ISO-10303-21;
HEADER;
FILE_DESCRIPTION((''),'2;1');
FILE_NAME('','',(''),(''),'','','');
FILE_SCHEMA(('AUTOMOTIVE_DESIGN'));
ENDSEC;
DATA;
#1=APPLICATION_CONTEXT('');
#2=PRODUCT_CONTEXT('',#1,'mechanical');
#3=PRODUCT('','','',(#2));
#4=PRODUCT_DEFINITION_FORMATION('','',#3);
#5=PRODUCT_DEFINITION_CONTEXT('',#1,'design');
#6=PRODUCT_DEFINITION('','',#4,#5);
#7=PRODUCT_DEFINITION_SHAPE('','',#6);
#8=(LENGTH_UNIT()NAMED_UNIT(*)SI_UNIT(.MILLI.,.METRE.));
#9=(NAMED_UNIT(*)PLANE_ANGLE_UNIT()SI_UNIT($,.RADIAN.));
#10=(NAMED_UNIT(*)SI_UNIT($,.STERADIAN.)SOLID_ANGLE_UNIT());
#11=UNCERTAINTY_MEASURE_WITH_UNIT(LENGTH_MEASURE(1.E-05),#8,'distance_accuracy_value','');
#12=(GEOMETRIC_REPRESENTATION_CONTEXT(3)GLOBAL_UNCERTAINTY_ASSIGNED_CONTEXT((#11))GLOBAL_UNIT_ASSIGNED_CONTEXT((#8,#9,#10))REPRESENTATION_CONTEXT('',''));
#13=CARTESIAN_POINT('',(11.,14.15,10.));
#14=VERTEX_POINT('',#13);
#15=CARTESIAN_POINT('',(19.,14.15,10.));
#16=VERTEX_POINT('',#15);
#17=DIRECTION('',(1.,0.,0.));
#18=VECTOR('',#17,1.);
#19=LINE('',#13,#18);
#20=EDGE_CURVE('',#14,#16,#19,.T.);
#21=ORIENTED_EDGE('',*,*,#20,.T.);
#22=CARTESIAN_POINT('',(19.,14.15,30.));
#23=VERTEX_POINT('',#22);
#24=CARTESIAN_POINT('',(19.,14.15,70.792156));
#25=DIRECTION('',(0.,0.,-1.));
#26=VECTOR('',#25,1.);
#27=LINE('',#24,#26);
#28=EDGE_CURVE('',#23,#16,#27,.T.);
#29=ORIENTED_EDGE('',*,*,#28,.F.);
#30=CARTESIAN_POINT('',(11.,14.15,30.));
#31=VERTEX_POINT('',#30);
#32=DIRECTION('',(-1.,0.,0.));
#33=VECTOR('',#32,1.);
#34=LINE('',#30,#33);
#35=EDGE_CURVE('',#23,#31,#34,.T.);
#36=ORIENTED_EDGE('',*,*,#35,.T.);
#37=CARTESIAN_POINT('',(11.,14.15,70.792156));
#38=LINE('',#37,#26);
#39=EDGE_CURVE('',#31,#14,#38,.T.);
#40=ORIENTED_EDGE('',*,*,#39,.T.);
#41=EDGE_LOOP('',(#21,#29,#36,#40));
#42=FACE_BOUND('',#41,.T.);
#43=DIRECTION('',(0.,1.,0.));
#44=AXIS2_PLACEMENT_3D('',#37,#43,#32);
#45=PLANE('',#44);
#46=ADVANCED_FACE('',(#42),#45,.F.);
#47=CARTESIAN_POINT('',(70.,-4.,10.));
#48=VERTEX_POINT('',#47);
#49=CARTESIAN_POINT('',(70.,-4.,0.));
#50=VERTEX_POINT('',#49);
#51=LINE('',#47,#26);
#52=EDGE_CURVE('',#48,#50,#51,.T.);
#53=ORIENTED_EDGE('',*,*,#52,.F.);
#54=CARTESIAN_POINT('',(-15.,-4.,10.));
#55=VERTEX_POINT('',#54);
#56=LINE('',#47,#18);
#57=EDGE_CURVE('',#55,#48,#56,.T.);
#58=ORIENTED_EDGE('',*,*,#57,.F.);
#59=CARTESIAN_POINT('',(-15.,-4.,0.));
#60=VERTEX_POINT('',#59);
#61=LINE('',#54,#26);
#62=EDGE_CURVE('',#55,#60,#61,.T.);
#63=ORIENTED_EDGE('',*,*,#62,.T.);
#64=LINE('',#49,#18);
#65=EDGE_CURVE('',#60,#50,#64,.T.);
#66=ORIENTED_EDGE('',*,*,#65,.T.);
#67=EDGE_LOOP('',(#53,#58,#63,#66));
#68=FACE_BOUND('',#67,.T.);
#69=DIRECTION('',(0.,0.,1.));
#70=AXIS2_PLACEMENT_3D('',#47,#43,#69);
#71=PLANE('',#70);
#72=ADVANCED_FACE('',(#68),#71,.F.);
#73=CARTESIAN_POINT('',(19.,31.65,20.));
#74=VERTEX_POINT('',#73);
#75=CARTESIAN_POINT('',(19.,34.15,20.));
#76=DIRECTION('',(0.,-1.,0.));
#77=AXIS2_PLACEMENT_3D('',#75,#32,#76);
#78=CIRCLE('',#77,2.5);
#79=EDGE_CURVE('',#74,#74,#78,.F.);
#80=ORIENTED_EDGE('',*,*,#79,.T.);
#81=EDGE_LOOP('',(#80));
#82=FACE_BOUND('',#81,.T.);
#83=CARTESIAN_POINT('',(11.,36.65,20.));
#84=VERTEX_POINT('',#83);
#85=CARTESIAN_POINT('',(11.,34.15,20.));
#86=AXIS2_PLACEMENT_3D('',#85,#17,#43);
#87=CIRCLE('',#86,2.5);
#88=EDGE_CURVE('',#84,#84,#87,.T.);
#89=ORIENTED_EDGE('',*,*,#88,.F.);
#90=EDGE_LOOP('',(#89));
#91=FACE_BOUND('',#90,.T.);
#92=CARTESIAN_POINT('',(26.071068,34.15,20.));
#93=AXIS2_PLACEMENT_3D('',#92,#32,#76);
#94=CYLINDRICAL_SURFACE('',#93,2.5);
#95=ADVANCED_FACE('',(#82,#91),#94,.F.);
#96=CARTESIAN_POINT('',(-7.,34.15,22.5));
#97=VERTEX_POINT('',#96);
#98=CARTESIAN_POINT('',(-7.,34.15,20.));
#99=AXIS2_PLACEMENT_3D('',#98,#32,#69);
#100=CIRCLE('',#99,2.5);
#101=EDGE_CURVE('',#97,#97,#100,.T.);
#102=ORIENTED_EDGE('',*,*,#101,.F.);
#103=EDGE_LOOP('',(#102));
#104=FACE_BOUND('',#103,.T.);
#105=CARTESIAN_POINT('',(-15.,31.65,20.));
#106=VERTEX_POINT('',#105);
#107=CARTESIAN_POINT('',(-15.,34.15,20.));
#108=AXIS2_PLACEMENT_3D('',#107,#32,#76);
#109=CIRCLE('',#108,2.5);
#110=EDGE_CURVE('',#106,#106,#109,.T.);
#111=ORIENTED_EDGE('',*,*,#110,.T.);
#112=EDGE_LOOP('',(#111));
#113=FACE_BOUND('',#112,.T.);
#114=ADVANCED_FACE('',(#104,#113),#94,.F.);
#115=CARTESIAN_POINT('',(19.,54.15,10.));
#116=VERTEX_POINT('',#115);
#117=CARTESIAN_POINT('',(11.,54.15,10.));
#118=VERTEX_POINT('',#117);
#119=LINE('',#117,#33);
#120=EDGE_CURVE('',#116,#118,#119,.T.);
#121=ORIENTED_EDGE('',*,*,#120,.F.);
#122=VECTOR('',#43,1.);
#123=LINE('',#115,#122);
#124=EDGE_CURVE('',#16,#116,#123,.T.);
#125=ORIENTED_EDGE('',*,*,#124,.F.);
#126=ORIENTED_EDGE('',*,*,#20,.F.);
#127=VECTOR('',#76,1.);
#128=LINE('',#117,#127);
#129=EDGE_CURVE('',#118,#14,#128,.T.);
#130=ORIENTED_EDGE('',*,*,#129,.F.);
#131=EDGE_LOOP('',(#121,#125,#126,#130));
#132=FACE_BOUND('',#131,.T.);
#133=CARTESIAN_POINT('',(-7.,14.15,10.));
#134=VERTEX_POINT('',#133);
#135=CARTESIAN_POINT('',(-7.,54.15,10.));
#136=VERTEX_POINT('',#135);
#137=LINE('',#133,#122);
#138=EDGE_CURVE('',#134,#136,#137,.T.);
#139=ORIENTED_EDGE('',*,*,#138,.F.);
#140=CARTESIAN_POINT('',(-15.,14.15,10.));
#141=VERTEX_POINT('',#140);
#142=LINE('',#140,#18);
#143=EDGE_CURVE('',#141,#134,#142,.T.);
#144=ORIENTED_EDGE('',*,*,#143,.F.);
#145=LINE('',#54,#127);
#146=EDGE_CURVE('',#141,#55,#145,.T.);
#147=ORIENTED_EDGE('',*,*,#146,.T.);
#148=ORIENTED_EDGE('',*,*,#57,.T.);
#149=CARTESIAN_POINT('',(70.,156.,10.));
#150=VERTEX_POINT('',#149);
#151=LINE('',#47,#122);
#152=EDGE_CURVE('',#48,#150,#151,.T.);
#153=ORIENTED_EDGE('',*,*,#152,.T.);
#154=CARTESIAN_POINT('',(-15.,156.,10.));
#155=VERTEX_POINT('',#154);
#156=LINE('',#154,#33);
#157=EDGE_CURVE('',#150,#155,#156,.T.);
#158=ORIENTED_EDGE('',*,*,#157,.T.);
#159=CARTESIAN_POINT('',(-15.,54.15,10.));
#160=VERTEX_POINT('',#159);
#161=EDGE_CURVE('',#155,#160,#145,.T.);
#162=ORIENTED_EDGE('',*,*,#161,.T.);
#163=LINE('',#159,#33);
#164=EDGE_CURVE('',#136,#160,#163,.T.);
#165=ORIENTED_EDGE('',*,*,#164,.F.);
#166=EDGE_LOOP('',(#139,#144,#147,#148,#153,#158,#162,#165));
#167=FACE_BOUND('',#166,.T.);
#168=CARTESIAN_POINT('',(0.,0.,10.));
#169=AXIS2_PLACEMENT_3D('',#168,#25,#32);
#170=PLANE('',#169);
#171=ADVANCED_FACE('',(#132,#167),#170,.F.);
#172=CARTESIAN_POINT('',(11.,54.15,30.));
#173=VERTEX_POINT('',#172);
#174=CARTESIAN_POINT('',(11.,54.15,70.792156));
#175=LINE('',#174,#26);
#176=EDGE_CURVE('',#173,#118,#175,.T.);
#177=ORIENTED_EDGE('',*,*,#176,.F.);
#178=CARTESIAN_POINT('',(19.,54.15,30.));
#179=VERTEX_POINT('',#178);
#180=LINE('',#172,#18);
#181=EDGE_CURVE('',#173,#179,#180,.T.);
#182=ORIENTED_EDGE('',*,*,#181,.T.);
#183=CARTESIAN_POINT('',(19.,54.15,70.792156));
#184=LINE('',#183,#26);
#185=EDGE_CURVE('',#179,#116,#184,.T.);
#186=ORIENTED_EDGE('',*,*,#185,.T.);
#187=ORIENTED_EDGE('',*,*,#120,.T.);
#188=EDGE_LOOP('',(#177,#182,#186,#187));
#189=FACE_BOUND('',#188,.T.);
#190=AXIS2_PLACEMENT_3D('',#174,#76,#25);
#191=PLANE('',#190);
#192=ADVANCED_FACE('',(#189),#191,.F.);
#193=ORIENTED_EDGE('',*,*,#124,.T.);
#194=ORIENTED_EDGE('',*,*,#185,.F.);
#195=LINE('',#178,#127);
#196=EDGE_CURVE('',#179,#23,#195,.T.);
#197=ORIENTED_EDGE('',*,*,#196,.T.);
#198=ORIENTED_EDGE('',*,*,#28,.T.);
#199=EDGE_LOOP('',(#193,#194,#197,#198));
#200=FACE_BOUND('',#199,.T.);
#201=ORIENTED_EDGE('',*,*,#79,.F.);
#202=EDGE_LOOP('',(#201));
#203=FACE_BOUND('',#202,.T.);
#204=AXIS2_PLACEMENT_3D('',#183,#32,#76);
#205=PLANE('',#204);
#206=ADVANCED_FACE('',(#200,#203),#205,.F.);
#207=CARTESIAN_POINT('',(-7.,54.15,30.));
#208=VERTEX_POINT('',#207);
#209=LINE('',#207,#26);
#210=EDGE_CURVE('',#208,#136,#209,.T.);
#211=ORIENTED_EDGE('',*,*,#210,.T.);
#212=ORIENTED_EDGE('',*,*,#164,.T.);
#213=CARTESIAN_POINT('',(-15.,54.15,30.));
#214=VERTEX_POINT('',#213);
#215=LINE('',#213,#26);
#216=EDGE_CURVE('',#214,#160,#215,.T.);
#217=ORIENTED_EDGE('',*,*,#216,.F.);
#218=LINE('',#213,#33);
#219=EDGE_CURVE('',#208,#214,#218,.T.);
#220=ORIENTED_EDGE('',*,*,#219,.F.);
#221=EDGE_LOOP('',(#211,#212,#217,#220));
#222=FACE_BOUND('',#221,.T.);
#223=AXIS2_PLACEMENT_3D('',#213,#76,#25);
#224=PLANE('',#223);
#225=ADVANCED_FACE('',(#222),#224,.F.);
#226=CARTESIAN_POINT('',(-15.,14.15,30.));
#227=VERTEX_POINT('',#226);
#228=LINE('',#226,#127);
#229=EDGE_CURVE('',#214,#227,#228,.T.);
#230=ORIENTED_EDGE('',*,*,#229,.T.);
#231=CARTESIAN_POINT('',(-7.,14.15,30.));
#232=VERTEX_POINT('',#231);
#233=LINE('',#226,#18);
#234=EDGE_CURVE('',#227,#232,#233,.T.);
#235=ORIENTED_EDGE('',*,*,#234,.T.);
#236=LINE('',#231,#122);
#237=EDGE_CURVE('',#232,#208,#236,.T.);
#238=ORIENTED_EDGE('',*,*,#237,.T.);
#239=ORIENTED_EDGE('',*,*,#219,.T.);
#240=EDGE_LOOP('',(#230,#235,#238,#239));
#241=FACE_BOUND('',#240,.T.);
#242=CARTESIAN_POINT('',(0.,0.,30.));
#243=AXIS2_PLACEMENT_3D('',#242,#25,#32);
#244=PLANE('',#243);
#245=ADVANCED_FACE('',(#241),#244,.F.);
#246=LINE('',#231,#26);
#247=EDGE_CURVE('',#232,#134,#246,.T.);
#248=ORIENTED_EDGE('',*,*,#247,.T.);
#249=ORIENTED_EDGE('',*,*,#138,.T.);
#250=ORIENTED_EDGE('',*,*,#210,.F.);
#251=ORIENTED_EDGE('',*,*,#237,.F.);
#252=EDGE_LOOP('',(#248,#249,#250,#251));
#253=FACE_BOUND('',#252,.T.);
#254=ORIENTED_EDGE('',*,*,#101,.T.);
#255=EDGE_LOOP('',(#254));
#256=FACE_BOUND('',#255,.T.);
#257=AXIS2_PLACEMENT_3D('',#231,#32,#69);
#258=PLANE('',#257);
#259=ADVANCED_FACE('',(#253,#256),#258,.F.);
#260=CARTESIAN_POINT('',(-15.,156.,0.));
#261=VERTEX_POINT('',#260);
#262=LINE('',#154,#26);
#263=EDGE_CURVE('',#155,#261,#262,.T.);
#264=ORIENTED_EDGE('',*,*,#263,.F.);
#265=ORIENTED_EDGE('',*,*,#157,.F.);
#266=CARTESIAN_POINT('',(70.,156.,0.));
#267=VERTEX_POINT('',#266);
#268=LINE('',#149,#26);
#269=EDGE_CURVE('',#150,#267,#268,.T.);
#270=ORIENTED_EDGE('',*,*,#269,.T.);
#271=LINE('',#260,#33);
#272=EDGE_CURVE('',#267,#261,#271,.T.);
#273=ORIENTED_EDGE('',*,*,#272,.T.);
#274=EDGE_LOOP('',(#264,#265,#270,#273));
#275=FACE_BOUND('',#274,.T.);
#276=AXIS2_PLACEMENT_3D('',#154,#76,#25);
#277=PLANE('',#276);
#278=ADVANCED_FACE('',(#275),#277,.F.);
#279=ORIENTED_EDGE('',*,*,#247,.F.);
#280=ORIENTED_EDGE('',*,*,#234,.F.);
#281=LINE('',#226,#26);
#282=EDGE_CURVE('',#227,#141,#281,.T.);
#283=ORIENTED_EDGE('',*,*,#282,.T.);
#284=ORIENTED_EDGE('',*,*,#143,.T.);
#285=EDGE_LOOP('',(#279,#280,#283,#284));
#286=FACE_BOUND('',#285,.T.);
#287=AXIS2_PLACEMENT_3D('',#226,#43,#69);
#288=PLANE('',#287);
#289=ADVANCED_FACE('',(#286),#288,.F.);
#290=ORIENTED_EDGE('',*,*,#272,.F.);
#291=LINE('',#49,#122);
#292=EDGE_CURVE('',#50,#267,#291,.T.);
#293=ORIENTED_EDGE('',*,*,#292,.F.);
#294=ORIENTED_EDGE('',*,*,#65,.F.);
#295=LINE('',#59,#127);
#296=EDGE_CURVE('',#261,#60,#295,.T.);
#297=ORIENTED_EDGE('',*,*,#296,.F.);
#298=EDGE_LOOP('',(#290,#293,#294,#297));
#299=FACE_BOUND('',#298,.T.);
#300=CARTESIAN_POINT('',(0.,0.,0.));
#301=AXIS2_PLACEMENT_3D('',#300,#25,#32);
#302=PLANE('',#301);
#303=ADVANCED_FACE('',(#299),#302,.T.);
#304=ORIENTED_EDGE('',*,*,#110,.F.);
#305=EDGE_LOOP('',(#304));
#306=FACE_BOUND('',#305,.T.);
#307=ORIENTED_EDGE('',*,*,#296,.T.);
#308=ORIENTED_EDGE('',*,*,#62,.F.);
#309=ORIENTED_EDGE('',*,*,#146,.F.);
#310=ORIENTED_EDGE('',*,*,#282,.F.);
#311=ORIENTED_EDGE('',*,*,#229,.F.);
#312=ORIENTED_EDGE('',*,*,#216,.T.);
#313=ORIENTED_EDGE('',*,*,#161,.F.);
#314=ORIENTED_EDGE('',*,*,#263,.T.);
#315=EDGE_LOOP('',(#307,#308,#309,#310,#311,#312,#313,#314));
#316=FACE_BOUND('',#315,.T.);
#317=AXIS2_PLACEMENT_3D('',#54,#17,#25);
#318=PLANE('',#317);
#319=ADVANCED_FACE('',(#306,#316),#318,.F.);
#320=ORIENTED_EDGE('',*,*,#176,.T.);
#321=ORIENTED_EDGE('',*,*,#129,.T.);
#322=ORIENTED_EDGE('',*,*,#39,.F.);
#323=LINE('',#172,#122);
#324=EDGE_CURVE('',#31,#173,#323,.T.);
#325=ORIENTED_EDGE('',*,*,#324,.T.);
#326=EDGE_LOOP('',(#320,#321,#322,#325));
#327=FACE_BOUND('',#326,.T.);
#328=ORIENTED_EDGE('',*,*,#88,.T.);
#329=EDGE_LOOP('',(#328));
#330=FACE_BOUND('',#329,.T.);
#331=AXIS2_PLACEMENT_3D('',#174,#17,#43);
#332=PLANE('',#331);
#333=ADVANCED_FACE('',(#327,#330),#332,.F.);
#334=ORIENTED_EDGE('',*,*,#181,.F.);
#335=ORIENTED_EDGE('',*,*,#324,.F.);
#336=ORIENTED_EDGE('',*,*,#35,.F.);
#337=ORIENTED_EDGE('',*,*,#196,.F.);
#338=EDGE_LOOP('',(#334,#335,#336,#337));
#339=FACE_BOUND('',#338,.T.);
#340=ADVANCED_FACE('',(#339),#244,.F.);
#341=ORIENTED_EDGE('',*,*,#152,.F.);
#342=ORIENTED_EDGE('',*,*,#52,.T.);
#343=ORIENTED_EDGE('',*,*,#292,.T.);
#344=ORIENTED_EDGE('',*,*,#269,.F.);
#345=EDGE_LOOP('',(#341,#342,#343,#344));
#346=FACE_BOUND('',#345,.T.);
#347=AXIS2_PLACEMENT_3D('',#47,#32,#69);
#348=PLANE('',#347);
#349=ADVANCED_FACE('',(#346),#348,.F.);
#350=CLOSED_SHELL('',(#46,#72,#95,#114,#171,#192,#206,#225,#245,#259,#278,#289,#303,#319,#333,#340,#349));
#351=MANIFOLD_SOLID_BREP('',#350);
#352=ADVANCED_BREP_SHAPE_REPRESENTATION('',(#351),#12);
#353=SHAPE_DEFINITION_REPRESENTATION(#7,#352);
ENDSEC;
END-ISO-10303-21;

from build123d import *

# Parameters (mm, degrees)
SKETCH1_W           = 85
SKETCH1_H           = 160
BOSS_EXTRUDE1_DEPTH = 10
SKETCH2_W           = 8
SKETCH2_H           = 40
BOSS_EXTRUDE2_DEPTH = 20
SKETCH4_W           = 8
SKETCH4_H           = 40
BOSS_EXTRUDE3_DEPTH = 20
SKETCH3_R           = 2.5
CUT_EXTRUDE1_DEPTH  = 34


with BuildPart() as part:
    # Sketch1 → Boss-Extrude1 (new body)
    with BuildSketch(Plane.XY):
        with Locations((27.5, 76)):
            Rectangle(SKETCH1_W, SKETCH1_H)
    extrude(amount=BOSS_EXTRUDE1_DEPTH)

    # Sketch2 → Boss-Extrude2 (add)
    with BuildSketch(Plane.XY.offset(10)):
        with Locations((-11, 34.15)):
            Rectangle(SKETCH2_W, SKETCH2_H)
    extrude(amount=BOSS_EXTRUDE2_DEPTH)

    # Sketch4 → Boss-Extrude3 (add)
    with BuildSketch(Plane.XY.offset(10)):
        with Locations((15, 34.15)):
            Rectangle(SKETCH4_W, SKETCH4_H)
    extrude(amount=BOSS_EXTRUDE3_DEPTH)

    # Sketch3 → Cut-Extrude1 (cut)
    with BuildSketch(Plane.ZY.offset(15)):
        with Locations((20, 34.15)):
            Circle(SKETCH3_R)
    extrude(amount=-CUT_EXTRUDE1_DEPTH, mode=Mode.SUBTRACT)


solid = part.part
